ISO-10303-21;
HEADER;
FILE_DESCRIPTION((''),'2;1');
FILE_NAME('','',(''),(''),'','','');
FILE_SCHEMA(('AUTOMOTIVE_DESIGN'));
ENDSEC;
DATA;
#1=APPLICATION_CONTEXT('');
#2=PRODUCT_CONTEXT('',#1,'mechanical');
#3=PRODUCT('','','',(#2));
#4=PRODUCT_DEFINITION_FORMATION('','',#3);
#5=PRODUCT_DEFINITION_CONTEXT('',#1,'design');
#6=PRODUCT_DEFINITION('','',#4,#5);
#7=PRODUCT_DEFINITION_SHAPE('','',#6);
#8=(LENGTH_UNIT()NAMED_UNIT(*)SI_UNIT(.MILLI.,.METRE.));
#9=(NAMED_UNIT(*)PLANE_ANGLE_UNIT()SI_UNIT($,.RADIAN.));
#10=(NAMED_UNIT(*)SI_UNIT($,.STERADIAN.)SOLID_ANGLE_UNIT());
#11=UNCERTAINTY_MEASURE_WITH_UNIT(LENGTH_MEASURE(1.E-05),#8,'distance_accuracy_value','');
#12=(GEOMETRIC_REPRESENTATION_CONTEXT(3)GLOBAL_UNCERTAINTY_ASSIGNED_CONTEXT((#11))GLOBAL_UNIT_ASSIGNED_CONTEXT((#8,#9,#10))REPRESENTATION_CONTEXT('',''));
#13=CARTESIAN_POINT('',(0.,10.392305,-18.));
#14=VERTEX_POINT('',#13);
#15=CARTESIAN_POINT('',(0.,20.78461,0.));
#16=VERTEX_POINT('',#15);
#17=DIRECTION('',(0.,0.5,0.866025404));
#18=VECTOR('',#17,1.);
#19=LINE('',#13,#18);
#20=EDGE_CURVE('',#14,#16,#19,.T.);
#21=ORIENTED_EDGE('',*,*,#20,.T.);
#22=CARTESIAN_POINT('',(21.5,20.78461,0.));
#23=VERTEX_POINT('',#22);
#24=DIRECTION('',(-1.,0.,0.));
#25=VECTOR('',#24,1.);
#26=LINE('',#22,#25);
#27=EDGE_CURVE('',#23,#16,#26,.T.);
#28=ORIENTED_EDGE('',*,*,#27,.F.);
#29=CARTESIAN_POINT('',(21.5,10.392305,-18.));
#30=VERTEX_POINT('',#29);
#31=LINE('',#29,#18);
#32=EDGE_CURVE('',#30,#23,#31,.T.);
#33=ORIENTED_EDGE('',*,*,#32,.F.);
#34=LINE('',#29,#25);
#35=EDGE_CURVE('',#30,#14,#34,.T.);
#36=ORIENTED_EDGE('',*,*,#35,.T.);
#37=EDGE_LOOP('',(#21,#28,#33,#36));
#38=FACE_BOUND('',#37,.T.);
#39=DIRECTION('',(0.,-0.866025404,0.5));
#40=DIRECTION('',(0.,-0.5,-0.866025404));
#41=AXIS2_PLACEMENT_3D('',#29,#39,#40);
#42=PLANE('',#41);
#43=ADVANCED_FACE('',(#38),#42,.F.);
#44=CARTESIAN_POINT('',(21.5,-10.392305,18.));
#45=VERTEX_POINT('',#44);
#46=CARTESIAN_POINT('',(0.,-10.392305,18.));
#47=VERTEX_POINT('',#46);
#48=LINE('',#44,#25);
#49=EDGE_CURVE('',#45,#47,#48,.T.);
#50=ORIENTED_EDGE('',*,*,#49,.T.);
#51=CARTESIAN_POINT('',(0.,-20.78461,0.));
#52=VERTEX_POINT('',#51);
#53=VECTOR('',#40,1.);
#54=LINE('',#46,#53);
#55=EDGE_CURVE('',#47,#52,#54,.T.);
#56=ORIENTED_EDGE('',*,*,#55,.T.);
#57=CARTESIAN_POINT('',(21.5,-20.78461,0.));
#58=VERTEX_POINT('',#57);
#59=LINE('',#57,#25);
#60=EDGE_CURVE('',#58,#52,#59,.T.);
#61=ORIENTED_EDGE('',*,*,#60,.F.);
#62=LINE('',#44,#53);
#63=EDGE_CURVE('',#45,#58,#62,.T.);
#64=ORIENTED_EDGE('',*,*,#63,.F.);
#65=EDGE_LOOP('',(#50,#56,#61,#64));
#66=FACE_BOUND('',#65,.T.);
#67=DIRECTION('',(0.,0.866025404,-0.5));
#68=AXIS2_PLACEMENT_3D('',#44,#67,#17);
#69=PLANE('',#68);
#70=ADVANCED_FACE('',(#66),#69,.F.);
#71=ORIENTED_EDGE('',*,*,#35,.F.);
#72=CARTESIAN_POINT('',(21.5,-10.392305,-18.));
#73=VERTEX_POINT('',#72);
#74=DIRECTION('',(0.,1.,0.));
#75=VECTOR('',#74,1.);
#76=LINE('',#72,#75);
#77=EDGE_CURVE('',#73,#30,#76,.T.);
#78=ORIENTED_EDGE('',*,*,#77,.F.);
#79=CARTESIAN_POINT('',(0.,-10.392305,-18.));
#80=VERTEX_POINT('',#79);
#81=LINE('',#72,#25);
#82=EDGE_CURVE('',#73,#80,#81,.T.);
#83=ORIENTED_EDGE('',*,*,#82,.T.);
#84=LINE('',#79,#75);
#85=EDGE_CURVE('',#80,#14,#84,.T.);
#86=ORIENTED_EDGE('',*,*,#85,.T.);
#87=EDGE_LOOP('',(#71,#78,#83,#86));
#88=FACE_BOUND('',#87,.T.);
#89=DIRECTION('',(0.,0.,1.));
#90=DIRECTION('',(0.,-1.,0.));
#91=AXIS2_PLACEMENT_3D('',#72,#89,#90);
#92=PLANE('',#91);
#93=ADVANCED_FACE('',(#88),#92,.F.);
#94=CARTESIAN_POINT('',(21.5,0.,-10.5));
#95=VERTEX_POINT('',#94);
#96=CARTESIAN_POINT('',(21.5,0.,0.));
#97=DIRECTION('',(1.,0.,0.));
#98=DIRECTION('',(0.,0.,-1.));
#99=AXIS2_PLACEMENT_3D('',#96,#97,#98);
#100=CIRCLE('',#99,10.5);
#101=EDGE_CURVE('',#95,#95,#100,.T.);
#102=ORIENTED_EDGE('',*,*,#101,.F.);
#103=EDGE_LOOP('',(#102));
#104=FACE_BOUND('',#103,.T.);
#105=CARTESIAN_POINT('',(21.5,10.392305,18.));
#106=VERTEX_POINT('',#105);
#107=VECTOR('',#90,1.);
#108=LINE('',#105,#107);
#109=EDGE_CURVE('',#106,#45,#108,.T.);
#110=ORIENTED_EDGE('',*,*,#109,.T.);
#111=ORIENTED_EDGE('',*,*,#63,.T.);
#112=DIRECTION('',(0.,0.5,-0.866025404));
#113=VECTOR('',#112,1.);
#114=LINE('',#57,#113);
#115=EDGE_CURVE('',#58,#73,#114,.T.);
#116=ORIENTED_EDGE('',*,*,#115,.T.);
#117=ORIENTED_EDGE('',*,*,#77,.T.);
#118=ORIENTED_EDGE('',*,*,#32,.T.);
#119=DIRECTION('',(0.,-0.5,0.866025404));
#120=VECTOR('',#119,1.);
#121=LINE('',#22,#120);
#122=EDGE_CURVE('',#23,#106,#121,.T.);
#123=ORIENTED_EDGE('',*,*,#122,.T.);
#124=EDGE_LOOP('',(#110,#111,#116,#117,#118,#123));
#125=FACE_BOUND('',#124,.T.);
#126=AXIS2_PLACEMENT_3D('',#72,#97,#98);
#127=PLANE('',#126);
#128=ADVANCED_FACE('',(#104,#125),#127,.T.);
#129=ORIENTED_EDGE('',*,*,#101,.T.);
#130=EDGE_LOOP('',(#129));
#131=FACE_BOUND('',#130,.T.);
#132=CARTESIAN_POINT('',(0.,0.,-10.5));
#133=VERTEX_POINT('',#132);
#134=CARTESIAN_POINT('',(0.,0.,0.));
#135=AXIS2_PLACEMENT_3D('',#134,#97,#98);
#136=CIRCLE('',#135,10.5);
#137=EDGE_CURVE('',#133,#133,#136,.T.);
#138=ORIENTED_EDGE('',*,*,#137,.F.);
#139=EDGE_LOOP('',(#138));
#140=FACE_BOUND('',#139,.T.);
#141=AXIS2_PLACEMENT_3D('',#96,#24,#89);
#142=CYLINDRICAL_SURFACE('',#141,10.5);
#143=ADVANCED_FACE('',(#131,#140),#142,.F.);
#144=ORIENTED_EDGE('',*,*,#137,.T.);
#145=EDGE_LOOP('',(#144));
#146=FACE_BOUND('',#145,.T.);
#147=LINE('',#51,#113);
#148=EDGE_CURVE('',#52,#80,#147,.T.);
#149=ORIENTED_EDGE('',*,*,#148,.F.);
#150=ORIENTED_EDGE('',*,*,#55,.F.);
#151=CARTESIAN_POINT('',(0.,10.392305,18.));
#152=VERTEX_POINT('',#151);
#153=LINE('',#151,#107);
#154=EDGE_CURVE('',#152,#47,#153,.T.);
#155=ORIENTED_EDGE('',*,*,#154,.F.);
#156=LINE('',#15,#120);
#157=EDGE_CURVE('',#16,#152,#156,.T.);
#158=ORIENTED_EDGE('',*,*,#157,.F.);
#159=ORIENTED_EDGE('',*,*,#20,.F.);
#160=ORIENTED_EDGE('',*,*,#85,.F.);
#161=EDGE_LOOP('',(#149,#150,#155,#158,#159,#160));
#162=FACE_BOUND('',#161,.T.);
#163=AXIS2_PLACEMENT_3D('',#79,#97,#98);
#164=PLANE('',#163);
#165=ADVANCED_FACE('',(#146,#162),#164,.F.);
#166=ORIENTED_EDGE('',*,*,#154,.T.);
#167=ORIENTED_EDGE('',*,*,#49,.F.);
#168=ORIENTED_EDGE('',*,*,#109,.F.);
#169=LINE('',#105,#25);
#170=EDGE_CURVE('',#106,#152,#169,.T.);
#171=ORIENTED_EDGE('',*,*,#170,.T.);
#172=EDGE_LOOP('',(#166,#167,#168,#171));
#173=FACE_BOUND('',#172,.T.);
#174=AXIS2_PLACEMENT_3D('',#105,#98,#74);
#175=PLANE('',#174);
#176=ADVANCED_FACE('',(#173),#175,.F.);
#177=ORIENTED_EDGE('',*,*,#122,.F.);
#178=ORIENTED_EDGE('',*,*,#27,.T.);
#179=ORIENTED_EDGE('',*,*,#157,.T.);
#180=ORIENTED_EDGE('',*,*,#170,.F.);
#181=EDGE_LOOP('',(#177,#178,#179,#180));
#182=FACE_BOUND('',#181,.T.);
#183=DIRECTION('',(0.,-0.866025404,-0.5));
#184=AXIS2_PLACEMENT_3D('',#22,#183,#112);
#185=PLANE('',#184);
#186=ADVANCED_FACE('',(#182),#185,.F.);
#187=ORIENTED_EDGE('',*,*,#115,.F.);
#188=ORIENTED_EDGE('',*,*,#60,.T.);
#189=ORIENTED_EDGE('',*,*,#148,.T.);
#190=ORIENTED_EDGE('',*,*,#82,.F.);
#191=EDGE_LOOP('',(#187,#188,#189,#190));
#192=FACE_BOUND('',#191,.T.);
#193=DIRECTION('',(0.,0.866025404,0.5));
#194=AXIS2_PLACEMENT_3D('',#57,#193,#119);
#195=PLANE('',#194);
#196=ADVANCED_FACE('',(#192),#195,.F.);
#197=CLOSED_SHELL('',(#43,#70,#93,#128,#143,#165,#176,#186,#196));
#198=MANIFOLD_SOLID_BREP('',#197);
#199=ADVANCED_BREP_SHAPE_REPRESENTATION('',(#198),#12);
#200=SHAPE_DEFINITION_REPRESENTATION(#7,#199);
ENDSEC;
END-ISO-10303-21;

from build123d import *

# Parameters (mm, degrees)
BASENUTSKETCH_R = 10.5
BASENUT_DEPTH   = 21.5


with BuildPart() as part:
    # BaseNutSketch → BaseNut (new body)
    with BuildSketch(Plane(origin=(0, 0, 0), x_dir=(0, -1, 0), z_dir=(1, 0, 0))):
        Polygon((10.392304845, 18), (-10.392304845, 18), (-20.784609691, 0), (-10.392304845, -18), (10.392304845, -18), (20.784609691, 0), align=None)
        with Locations(Location((0, 0, 0), (0, 0, 90))):
            Circle(BASENUTSKETCH_R, mode=Mode.SUBTRACT)
    extrude(amount=BASENUT_DEPTH)


solid = part.part
